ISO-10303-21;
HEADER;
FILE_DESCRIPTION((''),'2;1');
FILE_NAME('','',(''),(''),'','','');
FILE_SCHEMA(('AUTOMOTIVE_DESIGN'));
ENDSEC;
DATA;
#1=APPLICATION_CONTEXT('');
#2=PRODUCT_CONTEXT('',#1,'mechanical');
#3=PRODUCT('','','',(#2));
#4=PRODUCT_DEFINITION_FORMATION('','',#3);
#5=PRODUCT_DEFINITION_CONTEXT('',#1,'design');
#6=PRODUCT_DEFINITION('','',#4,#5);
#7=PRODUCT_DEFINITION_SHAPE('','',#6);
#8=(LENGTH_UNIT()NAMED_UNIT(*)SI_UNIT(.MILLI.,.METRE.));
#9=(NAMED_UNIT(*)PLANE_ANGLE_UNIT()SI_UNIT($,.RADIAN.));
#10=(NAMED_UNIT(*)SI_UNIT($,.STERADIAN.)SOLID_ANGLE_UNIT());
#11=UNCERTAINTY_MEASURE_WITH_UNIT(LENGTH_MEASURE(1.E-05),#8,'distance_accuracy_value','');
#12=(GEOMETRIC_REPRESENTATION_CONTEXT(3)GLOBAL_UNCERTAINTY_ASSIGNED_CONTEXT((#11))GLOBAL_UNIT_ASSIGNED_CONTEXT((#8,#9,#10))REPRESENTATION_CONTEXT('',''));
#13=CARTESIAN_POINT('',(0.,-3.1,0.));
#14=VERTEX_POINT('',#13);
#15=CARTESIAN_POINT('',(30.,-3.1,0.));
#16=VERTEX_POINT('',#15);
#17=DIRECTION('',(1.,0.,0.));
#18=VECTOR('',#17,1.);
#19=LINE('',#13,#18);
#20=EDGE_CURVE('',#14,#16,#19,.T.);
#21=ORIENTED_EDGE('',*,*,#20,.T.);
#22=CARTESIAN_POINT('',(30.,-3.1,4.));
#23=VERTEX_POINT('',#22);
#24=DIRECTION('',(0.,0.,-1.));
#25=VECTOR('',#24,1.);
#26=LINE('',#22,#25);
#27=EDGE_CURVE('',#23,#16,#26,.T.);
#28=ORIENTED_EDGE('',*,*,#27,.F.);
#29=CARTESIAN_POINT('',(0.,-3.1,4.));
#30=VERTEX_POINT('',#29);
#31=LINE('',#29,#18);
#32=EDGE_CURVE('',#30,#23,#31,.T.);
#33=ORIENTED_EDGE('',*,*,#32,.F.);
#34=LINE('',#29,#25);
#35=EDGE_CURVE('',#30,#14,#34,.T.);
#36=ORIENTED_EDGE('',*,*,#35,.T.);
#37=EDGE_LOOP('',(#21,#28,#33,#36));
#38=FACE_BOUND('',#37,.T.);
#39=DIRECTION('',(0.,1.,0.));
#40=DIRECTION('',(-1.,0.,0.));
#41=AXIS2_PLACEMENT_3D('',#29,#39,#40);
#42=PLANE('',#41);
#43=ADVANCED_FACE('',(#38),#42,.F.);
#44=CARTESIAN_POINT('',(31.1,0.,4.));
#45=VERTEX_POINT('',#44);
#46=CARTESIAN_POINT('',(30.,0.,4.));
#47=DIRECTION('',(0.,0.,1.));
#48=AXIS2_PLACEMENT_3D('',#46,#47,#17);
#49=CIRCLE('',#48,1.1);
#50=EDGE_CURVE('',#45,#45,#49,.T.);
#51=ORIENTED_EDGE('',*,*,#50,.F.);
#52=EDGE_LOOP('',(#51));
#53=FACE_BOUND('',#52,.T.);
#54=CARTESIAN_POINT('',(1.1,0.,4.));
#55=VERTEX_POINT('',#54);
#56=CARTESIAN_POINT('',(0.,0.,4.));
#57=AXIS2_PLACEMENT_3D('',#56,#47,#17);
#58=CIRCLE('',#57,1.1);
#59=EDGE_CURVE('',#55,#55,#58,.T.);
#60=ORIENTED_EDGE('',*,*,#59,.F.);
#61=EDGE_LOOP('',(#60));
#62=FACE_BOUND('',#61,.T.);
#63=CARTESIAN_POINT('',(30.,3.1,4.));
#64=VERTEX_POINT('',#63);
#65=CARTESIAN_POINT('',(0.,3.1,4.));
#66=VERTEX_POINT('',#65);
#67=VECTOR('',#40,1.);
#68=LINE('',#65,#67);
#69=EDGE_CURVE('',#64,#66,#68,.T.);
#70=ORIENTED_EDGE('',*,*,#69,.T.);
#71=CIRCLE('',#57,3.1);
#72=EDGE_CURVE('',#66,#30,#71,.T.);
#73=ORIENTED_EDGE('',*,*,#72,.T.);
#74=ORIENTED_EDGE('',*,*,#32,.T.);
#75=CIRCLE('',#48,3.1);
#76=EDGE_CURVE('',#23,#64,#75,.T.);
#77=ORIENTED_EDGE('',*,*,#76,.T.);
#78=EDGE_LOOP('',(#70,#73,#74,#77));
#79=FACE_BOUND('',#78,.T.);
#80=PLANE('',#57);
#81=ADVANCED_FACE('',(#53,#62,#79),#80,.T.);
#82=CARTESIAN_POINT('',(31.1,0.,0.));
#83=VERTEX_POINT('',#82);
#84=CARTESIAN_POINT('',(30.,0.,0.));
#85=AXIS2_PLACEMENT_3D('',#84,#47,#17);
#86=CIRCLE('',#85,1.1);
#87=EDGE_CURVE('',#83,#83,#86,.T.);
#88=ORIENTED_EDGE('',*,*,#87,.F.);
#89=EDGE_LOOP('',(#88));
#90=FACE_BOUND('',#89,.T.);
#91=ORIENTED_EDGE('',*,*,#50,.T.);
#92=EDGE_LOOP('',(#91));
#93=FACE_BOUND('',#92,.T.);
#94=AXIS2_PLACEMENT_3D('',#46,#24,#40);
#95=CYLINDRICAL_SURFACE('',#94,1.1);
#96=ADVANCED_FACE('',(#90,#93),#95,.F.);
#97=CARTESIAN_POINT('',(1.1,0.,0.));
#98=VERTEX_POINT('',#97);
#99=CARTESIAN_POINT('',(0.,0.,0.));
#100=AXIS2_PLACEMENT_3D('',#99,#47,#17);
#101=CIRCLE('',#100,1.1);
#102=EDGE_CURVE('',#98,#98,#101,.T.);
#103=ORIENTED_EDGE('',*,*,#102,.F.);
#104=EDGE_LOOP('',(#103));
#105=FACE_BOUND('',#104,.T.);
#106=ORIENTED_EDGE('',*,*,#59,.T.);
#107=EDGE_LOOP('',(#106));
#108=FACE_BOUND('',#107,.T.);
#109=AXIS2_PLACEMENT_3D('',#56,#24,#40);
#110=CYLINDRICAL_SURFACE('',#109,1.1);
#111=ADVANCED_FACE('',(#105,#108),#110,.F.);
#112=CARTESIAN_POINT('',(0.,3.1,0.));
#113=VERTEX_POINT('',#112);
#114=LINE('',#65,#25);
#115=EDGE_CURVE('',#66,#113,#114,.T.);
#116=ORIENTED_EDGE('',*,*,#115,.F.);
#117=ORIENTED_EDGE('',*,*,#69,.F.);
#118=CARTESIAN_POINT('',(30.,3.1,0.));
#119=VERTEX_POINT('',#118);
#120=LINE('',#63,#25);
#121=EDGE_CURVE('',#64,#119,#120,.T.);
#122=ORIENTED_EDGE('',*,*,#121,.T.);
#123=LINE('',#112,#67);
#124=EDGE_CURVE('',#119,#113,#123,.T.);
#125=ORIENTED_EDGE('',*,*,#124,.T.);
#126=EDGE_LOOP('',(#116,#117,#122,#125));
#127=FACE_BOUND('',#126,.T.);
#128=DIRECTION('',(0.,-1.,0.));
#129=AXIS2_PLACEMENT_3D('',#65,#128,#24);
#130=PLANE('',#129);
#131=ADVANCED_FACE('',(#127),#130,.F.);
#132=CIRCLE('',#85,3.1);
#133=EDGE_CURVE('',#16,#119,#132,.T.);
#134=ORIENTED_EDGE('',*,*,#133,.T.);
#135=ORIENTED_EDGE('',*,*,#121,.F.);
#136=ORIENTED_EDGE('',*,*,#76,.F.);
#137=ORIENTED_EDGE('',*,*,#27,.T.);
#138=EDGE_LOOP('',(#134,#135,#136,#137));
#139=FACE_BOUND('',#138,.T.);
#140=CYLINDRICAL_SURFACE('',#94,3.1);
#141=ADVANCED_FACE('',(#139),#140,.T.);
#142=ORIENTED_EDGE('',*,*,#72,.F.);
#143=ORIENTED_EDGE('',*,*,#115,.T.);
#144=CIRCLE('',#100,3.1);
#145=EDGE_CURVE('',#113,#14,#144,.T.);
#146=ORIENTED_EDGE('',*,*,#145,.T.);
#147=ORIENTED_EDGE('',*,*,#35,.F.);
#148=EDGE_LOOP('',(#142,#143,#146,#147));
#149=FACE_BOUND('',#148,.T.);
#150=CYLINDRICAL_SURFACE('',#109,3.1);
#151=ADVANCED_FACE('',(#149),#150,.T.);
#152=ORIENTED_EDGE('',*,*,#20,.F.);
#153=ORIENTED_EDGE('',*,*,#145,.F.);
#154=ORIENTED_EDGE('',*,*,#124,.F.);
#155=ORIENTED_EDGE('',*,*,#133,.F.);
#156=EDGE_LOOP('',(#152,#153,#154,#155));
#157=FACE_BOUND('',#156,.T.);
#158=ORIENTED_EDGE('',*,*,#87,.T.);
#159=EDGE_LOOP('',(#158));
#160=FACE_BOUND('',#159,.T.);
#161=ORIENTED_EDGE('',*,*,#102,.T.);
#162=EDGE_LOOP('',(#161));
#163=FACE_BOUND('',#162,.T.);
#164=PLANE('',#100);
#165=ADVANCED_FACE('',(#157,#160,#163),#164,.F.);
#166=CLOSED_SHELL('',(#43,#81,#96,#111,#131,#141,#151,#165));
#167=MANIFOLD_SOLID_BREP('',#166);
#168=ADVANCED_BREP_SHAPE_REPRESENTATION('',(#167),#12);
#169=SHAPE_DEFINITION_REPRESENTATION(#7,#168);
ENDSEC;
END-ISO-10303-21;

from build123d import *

# Parameters (mm, degrees)
SKETCH1_R           = 1.1
BOSS_EXTRUDE1_DEPTH = 4


with BuildPart() as part:
    # Sketch1 → Boss-Extrude1 (new body)
    with BuildSketch(Plane.XY):
        with BuildLine():
            Line((0, 3.1), (30, 3.1))
            ThreePointArc((30, 3.1), (33.1, 0), (30, -3.1))
            Line((30, -3.1), (0, -3.1))
            ThreePointArc((0, -3.1), (-3.1, 0), (0, 3.1))
        make_face()
        Circle(SKETCH1_R, mode=Mode.SUBTRACT)
        with Locations((30, 0)):
            Circle(SKETCH1_R, mode=Mode.SUBTRACT)
    extrude(amount=BOSS_EXTRUDE1_DEPTH)


solid = part.part
